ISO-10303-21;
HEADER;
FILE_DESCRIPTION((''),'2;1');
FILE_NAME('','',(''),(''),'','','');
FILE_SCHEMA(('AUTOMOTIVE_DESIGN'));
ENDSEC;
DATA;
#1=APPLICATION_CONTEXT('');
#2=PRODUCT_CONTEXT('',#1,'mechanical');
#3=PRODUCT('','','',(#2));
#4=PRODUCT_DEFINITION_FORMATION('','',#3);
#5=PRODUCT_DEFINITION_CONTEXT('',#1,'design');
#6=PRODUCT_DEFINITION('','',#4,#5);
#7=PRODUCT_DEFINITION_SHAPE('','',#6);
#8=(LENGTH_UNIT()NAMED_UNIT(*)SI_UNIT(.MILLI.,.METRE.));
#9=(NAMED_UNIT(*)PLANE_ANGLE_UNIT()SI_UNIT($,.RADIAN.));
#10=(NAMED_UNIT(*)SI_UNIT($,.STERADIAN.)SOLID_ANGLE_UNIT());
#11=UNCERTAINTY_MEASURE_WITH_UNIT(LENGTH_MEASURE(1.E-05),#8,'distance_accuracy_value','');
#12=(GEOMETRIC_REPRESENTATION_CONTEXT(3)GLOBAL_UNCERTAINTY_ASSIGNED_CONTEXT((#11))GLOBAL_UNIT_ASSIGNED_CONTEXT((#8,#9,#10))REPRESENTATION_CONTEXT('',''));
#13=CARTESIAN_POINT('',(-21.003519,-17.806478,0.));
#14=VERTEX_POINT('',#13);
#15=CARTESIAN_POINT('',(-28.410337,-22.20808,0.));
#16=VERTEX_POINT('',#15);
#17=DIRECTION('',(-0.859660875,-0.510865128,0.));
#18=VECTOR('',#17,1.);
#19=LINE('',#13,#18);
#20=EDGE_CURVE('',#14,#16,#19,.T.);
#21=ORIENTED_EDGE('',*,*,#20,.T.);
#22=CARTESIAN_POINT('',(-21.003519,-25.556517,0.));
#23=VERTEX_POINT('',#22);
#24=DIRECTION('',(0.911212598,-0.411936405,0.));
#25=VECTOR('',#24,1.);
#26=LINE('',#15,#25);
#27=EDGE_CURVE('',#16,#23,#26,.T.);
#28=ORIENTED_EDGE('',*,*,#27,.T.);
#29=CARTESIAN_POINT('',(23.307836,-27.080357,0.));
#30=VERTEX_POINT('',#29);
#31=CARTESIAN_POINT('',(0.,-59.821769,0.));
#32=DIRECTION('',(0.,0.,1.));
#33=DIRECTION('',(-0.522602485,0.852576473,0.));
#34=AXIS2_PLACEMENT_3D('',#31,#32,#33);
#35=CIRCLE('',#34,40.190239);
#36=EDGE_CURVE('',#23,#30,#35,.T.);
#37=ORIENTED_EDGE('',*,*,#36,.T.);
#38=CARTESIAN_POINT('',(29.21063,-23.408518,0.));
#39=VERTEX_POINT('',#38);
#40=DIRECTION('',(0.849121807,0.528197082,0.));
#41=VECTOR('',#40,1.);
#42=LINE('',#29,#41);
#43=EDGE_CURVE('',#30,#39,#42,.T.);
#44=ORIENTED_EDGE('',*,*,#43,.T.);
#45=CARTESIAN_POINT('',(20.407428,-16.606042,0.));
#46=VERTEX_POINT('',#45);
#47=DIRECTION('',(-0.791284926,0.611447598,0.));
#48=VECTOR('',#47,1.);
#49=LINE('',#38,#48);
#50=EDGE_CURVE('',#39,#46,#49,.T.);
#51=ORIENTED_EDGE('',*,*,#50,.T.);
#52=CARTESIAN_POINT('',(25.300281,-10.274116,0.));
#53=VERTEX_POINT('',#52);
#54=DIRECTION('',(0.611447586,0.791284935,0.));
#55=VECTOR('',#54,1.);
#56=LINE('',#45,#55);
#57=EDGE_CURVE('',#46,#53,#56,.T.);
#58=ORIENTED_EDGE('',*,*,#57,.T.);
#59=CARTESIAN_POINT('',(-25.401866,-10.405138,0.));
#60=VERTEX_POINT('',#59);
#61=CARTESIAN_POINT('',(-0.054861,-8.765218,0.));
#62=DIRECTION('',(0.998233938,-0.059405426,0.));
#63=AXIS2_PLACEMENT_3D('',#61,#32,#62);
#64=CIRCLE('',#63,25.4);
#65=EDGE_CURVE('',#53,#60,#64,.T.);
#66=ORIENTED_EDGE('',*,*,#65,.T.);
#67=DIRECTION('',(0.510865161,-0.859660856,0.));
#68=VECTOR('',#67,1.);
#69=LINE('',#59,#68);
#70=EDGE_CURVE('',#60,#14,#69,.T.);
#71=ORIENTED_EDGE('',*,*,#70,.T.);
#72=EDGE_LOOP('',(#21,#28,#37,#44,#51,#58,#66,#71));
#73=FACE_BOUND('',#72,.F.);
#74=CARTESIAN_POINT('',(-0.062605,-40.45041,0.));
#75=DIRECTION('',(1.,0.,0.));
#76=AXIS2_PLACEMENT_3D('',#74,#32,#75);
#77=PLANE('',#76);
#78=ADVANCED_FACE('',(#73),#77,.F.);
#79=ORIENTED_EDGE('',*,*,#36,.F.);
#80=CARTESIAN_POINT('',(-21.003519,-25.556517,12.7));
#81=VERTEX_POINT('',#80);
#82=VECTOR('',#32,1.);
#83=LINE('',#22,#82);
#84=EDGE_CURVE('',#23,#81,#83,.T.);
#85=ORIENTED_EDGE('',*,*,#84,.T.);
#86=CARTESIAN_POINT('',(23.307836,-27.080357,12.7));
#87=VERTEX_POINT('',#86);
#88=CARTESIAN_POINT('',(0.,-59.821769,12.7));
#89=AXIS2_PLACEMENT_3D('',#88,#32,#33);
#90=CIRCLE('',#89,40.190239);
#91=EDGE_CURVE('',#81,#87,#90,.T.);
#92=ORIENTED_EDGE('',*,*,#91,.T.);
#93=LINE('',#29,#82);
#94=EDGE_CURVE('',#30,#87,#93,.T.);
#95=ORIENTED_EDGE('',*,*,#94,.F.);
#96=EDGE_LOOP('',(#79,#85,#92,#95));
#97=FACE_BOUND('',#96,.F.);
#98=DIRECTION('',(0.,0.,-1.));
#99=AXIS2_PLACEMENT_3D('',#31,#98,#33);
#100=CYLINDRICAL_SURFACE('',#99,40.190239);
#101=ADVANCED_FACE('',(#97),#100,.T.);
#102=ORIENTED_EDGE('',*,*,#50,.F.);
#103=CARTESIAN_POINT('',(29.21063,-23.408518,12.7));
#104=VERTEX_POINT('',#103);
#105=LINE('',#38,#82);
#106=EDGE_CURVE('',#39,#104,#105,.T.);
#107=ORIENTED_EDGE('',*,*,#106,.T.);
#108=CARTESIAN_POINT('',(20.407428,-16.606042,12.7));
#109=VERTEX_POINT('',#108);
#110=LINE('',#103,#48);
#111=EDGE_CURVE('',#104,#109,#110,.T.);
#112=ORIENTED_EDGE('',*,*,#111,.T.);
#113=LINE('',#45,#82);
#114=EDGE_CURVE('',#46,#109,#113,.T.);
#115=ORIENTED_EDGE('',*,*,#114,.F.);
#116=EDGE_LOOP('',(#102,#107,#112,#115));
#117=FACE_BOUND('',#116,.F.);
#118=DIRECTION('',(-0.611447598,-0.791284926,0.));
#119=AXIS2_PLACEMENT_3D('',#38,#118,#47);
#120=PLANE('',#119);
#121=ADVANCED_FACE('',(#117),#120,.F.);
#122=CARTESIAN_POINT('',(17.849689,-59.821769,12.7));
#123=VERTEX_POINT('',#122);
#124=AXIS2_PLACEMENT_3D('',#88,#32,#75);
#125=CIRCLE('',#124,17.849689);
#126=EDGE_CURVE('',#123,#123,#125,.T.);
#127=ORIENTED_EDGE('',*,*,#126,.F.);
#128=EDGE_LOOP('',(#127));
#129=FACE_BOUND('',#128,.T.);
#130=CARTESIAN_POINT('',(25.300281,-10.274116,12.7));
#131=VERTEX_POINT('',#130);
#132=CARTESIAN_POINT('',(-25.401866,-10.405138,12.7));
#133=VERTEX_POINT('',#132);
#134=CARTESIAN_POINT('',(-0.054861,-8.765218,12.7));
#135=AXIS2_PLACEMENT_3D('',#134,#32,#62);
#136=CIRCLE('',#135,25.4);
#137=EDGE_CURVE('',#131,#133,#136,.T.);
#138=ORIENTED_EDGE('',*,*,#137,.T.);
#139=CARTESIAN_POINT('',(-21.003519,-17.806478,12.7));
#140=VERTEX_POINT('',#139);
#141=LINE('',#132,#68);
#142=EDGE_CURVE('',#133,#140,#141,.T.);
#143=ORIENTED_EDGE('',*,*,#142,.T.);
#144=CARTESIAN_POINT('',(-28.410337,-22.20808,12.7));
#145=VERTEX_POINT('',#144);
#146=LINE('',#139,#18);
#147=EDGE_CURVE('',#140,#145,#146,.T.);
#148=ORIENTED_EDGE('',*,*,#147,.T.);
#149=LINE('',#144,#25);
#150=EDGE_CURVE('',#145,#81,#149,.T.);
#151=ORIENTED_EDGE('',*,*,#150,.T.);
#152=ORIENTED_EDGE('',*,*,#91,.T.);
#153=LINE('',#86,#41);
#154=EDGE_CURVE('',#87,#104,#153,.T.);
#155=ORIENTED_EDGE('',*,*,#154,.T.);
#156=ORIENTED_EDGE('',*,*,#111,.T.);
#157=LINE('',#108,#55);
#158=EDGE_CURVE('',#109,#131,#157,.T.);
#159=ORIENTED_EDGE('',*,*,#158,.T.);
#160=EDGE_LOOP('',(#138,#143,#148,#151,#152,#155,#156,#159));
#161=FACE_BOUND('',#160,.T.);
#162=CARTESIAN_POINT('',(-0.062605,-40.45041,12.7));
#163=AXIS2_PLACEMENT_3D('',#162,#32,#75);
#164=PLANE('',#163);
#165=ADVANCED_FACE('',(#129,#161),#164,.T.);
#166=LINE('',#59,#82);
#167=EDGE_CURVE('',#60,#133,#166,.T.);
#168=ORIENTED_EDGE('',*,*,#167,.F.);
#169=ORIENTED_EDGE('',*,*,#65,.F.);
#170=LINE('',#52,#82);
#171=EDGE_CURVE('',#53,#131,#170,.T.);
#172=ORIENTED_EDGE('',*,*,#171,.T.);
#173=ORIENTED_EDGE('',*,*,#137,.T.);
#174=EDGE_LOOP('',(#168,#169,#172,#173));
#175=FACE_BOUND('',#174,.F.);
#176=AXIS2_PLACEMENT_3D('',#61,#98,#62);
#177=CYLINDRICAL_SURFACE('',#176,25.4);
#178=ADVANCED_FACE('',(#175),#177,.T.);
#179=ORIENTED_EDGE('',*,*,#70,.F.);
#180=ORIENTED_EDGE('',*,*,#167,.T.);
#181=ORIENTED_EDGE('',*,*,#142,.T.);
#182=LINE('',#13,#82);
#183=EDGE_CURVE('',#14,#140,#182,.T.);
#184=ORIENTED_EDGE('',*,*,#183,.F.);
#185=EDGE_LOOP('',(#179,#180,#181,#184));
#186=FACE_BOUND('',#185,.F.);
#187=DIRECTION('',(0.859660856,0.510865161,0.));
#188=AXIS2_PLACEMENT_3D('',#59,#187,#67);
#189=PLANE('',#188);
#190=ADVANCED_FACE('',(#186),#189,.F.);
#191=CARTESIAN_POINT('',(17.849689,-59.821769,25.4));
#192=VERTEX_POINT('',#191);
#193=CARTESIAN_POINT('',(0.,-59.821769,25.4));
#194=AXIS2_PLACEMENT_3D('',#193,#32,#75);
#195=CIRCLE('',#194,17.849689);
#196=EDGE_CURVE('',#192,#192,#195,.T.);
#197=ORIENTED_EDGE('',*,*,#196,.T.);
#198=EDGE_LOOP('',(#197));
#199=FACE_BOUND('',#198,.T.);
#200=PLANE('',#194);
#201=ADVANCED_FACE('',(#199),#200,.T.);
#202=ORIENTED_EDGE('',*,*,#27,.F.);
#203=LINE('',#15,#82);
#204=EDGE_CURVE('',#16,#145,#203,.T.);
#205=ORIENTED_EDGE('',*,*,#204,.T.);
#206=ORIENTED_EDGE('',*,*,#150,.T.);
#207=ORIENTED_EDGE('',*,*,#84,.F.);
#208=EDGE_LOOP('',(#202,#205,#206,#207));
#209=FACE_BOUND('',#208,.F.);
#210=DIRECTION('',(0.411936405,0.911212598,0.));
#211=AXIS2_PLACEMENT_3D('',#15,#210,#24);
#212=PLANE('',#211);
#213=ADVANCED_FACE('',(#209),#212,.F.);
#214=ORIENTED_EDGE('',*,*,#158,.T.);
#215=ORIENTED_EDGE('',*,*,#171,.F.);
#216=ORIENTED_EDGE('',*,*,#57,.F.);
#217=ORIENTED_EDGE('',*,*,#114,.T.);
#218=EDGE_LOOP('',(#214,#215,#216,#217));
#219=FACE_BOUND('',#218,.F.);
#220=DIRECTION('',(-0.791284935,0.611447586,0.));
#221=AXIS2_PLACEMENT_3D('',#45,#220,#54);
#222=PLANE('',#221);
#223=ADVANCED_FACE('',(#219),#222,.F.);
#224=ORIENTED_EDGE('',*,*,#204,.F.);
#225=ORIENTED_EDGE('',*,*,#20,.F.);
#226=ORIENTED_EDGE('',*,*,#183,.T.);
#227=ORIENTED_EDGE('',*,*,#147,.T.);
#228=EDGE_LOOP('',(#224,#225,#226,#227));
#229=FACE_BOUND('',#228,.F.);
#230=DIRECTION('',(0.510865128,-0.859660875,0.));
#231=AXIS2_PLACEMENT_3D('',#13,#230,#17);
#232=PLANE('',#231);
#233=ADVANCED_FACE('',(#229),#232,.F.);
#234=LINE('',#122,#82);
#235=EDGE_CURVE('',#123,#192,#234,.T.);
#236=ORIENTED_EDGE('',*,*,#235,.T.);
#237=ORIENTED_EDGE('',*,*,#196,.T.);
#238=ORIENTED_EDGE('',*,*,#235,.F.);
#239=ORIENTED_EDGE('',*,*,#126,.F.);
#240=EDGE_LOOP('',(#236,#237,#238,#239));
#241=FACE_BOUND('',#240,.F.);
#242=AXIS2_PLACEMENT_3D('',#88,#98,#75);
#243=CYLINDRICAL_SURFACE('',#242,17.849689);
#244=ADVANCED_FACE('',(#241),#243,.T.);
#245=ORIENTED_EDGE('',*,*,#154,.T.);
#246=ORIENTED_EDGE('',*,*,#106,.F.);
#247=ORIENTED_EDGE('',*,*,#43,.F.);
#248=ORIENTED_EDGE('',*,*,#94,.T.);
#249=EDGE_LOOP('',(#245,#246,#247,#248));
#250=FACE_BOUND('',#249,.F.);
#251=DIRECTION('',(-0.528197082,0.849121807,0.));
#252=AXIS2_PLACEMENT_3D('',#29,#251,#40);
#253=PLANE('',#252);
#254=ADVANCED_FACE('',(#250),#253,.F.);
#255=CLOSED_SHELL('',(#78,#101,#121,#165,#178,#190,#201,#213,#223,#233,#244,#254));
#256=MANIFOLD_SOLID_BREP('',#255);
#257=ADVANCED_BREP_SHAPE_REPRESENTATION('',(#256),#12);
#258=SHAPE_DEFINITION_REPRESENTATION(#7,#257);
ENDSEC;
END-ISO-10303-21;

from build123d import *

# Parameters (mm, degrees)
F1_DEPTH = 12.7
F2_R     = 17.849689
F3_DEPTH = 12.7


with BuildPart() as f1:
    # F0 (on Top) → F1 (new body)
    with BuildSketch(Plane.XY):
        with BuildLine():
            Line((-28.410337, -22.20808), (-21.003519, -25.556517))
            ThreePointArc((-21.003519, -25.556517), (-1.3813, -99.988264), (23.307836, -27.080357))
            Line((23.307836, -27.080357), (29.21063, -23.408518))
            Line((29.21063, -23.408518), (20.407428, -16.606042))
            Line((20.407428, -16.606042), (25.300281, -10.274116))
            ThreePointArc((25.300281, -10.274116), (-0.120498, 16.634697), (-25.401866, -10.405138))
            Line((-25.401866, -10.405138), (-21.003519, -17.806478))
            Line((-21.003519, -17.806478), (-28.410337, -22.20808))
        make_face()
    extrude(amount=F1_DEPTH)

    # F2 (on face) → F3 (join)
    with BuildSketch(Plane.XY.offset(12.7)):
        with Locations((0, -59.821769)):
            Circle(F2_R)
    extrude(amount=F3_DEPTH)


solid = f1.part
